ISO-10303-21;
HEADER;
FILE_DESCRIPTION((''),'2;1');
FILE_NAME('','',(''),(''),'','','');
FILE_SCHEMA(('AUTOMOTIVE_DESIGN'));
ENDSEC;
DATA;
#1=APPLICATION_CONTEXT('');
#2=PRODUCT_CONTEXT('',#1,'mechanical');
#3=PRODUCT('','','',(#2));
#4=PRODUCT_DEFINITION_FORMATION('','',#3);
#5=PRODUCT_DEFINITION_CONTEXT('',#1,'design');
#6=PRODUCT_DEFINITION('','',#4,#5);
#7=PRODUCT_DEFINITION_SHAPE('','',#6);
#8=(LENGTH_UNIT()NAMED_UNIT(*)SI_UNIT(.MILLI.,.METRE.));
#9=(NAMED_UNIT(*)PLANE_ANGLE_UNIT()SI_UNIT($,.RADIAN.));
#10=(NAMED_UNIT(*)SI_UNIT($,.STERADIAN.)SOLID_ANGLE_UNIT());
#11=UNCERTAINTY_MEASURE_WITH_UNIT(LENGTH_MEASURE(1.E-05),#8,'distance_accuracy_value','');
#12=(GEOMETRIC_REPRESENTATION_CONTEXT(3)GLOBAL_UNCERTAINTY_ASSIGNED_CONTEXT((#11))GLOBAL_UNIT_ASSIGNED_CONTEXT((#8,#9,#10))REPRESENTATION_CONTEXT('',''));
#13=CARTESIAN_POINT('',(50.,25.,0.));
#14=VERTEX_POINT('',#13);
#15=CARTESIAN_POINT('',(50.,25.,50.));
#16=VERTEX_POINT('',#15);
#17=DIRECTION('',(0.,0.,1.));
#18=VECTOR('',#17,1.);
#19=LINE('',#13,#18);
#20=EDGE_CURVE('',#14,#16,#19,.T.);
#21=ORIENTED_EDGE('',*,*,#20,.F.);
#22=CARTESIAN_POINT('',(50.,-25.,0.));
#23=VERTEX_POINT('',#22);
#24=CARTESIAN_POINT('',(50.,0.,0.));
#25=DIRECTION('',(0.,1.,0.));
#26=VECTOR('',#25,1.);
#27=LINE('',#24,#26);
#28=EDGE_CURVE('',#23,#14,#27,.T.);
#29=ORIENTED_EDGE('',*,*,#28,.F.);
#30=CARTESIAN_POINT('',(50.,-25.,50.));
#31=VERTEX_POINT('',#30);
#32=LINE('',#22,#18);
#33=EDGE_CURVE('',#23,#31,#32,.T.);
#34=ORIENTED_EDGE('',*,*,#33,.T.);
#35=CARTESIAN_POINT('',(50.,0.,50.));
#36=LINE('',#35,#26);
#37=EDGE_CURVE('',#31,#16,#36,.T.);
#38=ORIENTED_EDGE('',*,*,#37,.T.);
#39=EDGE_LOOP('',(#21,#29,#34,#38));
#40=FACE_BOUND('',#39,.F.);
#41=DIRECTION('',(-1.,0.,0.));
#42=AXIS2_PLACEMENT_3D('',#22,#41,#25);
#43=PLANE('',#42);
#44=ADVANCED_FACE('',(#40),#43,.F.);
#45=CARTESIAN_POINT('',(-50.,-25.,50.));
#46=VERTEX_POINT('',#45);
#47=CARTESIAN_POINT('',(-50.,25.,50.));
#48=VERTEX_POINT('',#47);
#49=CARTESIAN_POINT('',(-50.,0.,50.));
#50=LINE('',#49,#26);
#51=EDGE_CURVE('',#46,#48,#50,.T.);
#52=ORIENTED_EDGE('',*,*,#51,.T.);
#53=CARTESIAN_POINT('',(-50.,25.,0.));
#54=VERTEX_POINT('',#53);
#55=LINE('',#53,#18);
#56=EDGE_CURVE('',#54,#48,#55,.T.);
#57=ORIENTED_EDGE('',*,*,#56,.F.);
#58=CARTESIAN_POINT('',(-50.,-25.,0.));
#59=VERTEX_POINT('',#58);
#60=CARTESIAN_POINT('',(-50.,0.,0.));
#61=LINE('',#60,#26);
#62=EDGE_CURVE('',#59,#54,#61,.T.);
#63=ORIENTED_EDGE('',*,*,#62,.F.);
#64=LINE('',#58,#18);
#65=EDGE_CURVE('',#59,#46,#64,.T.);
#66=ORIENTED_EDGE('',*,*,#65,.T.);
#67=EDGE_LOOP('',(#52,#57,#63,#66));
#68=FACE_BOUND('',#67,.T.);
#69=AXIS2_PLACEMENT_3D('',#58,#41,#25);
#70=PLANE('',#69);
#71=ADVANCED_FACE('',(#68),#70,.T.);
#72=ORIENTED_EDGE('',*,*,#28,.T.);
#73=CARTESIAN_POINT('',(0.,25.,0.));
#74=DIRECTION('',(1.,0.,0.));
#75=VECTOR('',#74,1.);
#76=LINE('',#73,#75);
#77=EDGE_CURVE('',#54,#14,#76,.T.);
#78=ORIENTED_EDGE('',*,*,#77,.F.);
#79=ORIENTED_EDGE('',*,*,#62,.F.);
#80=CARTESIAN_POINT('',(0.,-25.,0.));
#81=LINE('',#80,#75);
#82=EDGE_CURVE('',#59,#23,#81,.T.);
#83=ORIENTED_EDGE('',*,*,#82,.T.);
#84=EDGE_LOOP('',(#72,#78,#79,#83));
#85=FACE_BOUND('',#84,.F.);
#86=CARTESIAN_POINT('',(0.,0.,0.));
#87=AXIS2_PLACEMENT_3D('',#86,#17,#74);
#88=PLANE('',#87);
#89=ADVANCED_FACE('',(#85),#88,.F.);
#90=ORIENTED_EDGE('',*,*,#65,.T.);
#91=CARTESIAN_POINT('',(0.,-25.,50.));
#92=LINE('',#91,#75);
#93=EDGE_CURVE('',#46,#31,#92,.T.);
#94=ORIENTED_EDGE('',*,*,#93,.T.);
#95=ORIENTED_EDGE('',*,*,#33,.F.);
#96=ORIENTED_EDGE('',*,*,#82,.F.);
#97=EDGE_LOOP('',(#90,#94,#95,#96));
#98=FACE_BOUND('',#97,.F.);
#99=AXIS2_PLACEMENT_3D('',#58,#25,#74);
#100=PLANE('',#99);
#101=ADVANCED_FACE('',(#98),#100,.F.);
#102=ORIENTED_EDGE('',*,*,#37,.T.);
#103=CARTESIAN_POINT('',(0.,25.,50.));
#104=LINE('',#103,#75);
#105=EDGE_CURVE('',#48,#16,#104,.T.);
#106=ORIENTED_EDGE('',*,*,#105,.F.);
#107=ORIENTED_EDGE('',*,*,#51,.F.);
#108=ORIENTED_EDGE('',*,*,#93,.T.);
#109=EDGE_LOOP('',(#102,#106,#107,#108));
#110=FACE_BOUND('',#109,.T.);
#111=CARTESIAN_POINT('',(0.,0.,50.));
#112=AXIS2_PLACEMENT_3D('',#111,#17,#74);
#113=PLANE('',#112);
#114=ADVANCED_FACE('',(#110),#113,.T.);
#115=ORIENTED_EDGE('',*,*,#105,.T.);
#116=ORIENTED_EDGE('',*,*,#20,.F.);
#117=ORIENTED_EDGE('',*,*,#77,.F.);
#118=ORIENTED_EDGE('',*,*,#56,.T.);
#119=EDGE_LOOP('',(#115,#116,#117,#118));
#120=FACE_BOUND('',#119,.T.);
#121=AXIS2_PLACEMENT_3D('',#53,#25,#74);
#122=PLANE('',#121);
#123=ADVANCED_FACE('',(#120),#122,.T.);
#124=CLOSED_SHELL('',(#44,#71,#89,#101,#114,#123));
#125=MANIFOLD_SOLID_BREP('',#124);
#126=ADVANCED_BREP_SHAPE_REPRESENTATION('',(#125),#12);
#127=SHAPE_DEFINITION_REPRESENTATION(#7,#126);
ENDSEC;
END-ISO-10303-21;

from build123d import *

# Parameters (mm, degrees)
SKETCH_W      = 100
SKETCH_H      = 50
EXTRUDE_DEPTH = 50


with BuildPart() as part:
    # Sketch → Extrude (new body)
    with BuildSketch(Plane.XY):
        Rectangle(SKETCH_W, SKETCH_H)
    extrude(amount=EXTRUDE_DEPTH)


solid = part.part
